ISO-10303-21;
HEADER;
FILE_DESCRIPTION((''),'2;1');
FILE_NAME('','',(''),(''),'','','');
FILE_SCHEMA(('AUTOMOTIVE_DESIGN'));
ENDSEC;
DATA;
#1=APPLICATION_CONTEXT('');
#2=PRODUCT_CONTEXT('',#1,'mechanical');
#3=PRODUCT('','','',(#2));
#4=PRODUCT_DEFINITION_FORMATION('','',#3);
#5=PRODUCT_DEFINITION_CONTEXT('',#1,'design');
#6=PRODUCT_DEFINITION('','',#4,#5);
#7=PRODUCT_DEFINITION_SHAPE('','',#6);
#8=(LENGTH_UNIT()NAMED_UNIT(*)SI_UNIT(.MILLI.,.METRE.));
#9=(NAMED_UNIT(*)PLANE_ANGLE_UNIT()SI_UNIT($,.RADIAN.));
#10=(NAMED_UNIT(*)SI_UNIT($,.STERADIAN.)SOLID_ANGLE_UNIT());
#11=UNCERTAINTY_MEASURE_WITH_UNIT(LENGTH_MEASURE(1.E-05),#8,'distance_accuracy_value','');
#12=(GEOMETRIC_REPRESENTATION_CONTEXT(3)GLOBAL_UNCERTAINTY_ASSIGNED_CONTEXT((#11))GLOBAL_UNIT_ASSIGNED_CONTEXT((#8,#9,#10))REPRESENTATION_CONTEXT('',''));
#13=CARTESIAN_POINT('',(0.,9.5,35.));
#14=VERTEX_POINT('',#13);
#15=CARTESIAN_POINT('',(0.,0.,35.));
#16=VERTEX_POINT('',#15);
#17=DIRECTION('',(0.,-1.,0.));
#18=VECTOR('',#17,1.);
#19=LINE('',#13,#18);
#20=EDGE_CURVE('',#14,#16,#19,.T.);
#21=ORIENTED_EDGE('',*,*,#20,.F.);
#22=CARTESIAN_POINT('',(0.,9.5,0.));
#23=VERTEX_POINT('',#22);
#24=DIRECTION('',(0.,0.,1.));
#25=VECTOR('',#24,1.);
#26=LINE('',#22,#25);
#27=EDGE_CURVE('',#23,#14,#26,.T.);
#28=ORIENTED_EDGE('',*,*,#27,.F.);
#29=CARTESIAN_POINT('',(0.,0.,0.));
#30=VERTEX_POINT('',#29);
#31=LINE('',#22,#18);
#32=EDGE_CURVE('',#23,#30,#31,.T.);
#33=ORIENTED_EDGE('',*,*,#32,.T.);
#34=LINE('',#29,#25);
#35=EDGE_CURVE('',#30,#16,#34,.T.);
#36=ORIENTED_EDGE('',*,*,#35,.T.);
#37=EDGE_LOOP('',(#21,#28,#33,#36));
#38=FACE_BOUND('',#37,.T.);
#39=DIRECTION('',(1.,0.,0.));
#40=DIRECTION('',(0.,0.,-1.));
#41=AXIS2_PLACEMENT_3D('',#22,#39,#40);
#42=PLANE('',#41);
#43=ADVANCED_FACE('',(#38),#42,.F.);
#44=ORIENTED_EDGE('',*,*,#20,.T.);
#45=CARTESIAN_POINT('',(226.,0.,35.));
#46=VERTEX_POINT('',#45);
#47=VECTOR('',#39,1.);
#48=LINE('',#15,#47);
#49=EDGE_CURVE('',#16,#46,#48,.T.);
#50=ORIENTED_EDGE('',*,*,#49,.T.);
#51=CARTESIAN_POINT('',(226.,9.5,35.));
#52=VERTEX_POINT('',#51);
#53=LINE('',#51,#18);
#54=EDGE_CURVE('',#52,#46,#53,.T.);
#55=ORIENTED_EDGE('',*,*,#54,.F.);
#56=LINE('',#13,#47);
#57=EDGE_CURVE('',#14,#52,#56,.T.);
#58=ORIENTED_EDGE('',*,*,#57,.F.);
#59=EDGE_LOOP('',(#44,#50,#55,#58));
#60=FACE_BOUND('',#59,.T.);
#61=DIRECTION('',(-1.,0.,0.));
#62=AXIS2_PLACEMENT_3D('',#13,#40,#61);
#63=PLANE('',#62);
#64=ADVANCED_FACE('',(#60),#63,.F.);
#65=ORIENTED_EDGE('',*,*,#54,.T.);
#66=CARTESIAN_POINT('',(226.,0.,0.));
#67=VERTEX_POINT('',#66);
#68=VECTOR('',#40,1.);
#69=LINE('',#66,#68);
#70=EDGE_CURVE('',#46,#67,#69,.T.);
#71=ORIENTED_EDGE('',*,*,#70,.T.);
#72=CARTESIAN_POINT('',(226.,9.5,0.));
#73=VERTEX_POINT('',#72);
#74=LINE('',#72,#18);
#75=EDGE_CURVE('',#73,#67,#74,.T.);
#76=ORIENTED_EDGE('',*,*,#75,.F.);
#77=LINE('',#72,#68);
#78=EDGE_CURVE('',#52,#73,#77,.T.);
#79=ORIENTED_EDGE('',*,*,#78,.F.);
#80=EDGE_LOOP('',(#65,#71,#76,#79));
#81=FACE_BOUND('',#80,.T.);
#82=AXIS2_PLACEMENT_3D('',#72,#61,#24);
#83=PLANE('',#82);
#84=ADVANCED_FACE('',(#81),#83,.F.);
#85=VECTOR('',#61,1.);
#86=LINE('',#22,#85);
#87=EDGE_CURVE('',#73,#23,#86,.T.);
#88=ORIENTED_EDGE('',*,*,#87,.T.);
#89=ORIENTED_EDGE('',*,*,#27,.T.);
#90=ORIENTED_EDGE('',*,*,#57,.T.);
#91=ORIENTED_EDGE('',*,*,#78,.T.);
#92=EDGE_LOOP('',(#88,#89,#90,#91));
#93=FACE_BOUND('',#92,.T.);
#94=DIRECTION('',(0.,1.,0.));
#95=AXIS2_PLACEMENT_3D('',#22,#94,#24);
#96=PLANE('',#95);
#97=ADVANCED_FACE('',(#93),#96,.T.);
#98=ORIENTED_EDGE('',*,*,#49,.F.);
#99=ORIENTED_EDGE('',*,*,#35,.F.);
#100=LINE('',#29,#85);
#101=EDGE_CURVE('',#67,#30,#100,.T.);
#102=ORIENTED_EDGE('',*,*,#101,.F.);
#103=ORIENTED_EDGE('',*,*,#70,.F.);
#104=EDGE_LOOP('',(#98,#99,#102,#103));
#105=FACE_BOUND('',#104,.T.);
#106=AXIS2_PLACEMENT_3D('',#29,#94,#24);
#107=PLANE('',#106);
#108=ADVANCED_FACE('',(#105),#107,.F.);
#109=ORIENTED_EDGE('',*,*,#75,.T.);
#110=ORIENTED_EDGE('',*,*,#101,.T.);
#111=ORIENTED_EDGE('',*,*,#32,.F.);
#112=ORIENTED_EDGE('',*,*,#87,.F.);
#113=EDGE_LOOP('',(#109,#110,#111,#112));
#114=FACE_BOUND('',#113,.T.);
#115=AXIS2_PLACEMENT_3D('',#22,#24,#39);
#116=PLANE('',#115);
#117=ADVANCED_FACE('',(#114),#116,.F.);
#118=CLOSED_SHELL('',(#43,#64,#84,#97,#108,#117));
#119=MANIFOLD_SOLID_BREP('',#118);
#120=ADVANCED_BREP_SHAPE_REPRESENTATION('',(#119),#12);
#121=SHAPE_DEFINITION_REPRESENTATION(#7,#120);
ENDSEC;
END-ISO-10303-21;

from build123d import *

# Parameters (mm, degrees)
SKETCH_1_W      = 226
SKETCH_1_H      = 35
EXTRUDE_1_DEPTH = 9.5


with BuildPart() as part:
    # 草图1 → 凸台-拉伸1 (new body)
    with BuildSketch(Plane(origin=(0, 0, 0), x_dir=(1, 0, 0), z_dir=(0, 1, 0))):
        with Locations((113, -17.5)):
            Rectangle(SKETCH_1_W, SKETCH_1_H)
    extrude(amount=EXTRUDE_1_DEPTH)


solid = part.part
